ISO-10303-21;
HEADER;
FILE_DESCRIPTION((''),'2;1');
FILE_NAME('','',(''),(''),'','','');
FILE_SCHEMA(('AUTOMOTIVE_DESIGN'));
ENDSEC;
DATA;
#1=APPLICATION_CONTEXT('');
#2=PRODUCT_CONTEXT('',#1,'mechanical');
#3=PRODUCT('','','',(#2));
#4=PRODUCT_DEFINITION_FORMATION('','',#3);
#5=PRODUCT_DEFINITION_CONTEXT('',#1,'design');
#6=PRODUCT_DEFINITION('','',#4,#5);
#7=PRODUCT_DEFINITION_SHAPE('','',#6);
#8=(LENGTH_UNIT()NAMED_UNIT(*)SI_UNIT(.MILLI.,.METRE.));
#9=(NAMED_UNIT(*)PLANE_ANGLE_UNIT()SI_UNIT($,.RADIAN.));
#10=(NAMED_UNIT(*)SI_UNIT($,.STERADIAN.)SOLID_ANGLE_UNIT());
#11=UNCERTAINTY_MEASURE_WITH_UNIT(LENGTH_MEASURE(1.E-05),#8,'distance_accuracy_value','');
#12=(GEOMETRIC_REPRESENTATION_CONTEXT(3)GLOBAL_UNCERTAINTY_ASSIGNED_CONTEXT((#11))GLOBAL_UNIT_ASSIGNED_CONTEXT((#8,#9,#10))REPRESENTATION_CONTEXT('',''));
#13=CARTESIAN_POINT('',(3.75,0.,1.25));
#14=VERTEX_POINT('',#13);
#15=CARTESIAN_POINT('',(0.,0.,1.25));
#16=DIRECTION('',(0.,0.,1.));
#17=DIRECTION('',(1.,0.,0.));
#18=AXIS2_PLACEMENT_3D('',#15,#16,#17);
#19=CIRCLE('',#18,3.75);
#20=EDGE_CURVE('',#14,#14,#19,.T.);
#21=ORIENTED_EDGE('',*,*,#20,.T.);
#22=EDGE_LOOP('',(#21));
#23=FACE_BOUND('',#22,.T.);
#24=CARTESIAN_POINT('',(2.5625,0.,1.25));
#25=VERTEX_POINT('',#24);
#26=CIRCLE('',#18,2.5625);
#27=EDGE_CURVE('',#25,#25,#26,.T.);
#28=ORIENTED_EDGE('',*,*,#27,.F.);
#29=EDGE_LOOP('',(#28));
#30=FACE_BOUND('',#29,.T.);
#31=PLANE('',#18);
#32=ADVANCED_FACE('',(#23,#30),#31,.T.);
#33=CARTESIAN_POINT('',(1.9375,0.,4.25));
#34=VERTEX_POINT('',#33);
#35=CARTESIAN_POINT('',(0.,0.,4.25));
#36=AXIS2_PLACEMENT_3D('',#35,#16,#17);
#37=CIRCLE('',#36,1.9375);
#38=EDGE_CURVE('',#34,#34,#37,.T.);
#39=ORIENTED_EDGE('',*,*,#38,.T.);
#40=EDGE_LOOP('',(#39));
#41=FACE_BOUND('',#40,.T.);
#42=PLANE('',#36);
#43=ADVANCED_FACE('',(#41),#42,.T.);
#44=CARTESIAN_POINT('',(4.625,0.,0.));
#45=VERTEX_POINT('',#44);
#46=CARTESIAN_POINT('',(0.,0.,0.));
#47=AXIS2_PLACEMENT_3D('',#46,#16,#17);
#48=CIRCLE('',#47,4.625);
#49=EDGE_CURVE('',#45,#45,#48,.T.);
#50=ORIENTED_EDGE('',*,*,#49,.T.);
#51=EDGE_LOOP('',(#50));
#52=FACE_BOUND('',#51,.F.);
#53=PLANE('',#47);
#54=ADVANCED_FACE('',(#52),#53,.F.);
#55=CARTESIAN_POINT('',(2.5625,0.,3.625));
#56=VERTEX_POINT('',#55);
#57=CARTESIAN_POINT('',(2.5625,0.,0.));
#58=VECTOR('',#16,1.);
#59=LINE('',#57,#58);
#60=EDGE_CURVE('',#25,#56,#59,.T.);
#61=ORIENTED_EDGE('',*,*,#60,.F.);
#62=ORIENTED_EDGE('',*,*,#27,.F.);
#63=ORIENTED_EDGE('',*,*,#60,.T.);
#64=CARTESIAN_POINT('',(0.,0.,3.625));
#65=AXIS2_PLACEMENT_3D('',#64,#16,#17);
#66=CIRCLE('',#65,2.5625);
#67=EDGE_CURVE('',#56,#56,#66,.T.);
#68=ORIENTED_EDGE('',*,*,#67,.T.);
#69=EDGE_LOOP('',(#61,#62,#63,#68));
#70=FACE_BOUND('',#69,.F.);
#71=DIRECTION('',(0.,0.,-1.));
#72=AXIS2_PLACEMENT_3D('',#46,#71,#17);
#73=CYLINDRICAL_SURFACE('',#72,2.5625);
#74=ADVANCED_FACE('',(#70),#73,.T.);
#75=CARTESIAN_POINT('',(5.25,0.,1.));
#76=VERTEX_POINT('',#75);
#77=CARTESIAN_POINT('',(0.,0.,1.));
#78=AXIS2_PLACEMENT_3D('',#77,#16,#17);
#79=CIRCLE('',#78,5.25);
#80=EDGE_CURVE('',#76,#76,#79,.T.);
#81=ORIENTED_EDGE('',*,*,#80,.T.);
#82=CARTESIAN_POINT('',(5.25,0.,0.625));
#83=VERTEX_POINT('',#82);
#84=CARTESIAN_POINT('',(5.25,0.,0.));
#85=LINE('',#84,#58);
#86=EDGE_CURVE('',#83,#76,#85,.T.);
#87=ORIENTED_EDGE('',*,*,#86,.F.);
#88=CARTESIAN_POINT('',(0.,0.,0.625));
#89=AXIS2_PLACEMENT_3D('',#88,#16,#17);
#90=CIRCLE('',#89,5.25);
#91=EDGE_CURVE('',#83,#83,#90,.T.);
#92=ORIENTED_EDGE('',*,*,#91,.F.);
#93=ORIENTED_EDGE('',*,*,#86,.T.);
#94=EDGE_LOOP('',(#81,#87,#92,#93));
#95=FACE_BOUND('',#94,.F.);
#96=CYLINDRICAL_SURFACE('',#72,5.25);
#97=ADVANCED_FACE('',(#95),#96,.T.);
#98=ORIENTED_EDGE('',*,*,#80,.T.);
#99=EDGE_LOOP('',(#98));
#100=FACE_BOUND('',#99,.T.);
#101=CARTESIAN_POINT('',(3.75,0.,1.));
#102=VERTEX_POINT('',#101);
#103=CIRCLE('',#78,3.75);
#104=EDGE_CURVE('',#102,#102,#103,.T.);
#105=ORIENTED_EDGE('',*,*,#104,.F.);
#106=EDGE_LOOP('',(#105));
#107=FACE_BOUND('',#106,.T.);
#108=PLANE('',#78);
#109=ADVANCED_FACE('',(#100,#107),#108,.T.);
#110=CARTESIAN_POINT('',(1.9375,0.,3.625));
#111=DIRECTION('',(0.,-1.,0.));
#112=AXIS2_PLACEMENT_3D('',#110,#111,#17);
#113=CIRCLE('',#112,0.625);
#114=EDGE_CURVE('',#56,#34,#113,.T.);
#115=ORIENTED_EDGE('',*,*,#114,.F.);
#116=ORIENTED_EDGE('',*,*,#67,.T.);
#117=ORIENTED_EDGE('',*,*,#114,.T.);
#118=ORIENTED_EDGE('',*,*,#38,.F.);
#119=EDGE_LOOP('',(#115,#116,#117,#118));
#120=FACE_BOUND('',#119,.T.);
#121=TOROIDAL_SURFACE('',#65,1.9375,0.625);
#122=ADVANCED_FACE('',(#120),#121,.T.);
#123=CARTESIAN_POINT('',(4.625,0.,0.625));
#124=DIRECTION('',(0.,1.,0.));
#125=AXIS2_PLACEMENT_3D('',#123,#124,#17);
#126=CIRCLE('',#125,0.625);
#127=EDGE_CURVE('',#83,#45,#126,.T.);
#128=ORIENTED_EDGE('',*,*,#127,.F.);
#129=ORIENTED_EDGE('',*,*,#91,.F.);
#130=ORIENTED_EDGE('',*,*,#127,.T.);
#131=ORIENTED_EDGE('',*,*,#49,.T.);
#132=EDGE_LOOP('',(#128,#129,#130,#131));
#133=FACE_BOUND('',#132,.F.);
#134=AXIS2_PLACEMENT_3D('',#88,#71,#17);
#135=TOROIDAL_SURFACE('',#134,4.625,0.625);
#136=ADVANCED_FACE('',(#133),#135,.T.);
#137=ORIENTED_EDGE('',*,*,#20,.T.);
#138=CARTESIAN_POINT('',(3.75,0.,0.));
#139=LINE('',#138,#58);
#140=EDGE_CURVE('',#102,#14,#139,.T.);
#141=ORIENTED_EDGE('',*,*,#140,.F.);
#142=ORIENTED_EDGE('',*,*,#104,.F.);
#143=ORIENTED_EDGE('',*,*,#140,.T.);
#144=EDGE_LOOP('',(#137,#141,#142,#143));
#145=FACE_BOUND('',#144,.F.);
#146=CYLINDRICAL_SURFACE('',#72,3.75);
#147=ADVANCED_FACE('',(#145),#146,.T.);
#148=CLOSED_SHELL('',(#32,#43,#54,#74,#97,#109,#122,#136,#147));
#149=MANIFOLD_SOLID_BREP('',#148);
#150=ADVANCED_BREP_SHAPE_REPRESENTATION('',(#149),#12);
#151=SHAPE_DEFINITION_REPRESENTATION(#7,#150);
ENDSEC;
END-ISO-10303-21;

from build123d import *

# Parameters (mm, degrees)
F0_R     = 2.5625
F1_DEPTH = 4.25
F0_R_2   = 3.75
F2_DEPTH = 1.25
F0_R_3   = 5.25
F3_DEPTH = 1
F4_R     = 0.625


with BuildPart() as f1:
    # F0 (on Top) → F1 (new body)
    with BuildSketch(Plane.XY):
        Circle(F0_R)
    extrude(amount=F1_DEPTH)

    # F0 (on Top) → F2 (join)
    with BuildSketch(Plane.XY):
        Circle(F0_R_2)
        Circle(F0_R, mode=Mode.SUBTRACT)
    extrude(amount=F2_DEPTH)

    # F0 (on Top) → F3 (join)
    with BuildSketch(Plane.XY):
        Circle(F0_R_3)
        Circle(F0_R_2, mode=Mode.SUBTRACT)
    extrude(amount=F3_DEPTH)

    # F4
    f4_edges = [f1.edges().sort_by_distance(p)[0] for p in [
        (-5.25, 0, 0),
        (-2.5625, 0, 4.25),
    ]]
    fillet(f4_edges, radius=F4_R)


solid = f1.part
